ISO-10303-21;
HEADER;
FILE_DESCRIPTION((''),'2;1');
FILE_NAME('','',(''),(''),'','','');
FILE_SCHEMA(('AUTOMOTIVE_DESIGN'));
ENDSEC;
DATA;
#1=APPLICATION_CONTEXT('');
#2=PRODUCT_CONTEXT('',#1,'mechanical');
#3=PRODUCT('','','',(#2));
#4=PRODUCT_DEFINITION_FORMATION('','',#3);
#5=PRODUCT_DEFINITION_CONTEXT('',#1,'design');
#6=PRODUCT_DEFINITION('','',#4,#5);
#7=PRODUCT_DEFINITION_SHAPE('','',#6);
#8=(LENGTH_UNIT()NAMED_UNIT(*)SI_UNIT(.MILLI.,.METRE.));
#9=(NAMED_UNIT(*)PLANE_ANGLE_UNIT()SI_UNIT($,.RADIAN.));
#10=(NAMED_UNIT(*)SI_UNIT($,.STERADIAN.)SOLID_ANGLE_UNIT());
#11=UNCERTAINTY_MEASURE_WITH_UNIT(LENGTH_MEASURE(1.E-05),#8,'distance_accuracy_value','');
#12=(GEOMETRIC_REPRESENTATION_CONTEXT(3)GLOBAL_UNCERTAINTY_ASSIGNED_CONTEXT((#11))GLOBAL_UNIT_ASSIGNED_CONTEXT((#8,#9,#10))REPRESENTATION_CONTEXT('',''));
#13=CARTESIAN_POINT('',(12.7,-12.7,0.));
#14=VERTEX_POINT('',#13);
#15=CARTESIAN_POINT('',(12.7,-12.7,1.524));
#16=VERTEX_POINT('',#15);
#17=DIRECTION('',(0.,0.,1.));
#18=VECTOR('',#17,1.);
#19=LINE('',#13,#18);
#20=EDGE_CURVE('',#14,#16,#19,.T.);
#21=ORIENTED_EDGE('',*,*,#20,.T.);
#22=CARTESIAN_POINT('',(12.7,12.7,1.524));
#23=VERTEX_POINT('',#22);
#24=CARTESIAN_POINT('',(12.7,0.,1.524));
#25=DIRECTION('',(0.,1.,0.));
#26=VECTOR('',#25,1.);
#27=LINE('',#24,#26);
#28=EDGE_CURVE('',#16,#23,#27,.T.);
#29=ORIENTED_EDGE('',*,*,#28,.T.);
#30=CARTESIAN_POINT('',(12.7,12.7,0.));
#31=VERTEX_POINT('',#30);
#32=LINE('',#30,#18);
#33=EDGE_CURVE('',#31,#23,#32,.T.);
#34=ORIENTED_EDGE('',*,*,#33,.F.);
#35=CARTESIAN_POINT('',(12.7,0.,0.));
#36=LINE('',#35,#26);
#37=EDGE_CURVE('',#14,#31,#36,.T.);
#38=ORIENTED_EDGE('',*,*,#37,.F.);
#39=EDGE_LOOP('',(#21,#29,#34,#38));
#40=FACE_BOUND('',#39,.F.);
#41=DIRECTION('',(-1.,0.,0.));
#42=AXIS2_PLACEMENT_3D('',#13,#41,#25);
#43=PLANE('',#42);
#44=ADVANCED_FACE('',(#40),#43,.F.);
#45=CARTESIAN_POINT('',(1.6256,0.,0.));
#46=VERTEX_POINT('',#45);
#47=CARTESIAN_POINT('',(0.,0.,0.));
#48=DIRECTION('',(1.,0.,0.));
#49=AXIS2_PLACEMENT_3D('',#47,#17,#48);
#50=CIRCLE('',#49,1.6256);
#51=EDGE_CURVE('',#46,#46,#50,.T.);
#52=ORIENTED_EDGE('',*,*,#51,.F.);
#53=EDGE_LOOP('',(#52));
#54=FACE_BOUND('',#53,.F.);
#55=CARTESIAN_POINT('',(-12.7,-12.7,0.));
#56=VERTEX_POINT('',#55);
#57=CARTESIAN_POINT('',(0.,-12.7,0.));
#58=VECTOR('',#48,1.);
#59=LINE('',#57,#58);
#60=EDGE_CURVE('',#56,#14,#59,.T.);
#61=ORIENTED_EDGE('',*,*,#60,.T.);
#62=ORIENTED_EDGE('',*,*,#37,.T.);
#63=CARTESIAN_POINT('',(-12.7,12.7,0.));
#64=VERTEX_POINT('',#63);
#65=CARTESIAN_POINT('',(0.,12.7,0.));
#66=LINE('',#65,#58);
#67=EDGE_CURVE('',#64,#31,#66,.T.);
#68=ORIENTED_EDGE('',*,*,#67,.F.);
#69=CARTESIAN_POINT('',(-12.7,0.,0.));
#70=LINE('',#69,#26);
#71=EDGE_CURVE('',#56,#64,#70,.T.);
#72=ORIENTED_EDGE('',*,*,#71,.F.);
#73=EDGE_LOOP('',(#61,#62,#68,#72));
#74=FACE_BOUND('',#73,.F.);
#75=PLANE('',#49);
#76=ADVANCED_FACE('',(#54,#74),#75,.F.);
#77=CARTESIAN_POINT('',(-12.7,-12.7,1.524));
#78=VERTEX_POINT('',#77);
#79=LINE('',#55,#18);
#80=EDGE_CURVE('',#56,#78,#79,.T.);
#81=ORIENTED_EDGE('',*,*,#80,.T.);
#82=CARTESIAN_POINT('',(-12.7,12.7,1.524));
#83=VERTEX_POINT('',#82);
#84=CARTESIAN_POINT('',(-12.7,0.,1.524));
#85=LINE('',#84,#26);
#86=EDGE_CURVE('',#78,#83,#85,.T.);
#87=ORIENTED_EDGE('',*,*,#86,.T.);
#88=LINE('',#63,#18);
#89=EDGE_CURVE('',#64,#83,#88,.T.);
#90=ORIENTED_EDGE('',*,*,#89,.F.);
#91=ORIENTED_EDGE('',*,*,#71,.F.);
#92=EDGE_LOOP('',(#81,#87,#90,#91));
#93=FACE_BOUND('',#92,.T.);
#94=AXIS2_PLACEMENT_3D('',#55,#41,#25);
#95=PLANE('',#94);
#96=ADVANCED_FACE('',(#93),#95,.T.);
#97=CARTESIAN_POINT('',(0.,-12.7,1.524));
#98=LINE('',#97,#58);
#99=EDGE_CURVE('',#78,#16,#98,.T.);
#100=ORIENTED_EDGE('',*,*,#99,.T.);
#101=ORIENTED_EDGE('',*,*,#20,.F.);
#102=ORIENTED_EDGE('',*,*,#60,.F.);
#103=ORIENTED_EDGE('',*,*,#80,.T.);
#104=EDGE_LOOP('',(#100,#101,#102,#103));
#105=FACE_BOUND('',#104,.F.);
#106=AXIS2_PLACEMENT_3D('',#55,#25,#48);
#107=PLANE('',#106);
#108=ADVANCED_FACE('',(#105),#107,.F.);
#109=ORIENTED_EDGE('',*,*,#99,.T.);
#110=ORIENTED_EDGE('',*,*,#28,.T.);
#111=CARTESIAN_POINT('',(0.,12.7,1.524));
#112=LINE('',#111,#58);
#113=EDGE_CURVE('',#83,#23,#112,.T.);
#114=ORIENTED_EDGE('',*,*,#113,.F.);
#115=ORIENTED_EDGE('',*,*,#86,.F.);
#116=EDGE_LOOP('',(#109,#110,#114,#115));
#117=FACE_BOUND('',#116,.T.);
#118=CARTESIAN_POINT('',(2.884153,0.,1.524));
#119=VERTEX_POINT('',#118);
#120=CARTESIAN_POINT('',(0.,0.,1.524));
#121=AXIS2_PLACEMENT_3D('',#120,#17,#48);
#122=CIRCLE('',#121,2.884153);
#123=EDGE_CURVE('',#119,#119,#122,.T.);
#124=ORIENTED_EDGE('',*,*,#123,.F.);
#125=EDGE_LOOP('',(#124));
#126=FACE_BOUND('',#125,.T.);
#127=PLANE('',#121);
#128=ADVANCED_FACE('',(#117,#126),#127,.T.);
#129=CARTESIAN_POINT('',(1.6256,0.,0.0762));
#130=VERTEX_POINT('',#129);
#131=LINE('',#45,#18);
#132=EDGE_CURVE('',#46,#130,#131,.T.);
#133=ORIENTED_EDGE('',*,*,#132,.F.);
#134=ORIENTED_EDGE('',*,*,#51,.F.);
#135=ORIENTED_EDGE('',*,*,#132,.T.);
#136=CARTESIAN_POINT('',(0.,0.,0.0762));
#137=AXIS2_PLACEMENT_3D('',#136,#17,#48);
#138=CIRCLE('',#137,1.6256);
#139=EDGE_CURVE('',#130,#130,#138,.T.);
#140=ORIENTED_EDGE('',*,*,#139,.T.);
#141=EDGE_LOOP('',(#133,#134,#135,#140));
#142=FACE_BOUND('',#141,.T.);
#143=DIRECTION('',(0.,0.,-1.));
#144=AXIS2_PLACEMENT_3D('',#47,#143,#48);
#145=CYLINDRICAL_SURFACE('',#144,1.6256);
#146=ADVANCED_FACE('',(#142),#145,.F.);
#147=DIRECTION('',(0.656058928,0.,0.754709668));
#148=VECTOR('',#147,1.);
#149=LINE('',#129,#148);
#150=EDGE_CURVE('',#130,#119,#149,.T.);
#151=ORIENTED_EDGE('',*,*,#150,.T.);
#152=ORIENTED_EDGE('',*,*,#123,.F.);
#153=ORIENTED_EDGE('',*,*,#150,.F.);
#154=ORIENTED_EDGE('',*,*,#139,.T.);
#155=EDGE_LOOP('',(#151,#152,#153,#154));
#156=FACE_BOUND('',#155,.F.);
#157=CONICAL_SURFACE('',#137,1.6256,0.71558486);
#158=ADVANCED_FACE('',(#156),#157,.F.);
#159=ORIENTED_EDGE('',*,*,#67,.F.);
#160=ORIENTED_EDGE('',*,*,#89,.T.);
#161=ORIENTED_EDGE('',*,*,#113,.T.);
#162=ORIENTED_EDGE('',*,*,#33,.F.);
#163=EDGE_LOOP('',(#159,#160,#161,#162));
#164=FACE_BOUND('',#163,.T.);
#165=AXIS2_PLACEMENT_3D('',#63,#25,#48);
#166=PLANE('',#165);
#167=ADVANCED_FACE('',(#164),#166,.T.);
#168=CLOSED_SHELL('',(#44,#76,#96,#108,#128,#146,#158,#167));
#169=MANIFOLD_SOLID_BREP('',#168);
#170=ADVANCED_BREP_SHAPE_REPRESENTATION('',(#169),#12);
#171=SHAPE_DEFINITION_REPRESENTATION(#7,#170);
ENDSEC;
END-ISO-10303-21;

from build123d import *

# Parameters (mm, degrees)
F0_W     = 25.4
F0_H     = 25.4
F0_R     = 1.6256
F1_DEPTH = 1.524
F3_SIZE2 = 1.258553
F3_SIZE  = 1.4478


with BuildPart() as f1:
    # F0 (on Top) → F1 (new body)
    with BuildSketch(Plane.XY):
        Rectangle(F0_W, F0_H)
        Circle(F0_R, mode=Mode.SUBTRACT)
    extrude(amount=F1_DEPTH)

    # F3
    f3_edges = [f1.edges().sort_by_distance(p)[0] for p in [
        (-1.6256, 0, 1.524),
    ]]
    chamfer(f3_edges, length=F3_SIZE, length2=F3_SIZE2)


solid = f1.part
